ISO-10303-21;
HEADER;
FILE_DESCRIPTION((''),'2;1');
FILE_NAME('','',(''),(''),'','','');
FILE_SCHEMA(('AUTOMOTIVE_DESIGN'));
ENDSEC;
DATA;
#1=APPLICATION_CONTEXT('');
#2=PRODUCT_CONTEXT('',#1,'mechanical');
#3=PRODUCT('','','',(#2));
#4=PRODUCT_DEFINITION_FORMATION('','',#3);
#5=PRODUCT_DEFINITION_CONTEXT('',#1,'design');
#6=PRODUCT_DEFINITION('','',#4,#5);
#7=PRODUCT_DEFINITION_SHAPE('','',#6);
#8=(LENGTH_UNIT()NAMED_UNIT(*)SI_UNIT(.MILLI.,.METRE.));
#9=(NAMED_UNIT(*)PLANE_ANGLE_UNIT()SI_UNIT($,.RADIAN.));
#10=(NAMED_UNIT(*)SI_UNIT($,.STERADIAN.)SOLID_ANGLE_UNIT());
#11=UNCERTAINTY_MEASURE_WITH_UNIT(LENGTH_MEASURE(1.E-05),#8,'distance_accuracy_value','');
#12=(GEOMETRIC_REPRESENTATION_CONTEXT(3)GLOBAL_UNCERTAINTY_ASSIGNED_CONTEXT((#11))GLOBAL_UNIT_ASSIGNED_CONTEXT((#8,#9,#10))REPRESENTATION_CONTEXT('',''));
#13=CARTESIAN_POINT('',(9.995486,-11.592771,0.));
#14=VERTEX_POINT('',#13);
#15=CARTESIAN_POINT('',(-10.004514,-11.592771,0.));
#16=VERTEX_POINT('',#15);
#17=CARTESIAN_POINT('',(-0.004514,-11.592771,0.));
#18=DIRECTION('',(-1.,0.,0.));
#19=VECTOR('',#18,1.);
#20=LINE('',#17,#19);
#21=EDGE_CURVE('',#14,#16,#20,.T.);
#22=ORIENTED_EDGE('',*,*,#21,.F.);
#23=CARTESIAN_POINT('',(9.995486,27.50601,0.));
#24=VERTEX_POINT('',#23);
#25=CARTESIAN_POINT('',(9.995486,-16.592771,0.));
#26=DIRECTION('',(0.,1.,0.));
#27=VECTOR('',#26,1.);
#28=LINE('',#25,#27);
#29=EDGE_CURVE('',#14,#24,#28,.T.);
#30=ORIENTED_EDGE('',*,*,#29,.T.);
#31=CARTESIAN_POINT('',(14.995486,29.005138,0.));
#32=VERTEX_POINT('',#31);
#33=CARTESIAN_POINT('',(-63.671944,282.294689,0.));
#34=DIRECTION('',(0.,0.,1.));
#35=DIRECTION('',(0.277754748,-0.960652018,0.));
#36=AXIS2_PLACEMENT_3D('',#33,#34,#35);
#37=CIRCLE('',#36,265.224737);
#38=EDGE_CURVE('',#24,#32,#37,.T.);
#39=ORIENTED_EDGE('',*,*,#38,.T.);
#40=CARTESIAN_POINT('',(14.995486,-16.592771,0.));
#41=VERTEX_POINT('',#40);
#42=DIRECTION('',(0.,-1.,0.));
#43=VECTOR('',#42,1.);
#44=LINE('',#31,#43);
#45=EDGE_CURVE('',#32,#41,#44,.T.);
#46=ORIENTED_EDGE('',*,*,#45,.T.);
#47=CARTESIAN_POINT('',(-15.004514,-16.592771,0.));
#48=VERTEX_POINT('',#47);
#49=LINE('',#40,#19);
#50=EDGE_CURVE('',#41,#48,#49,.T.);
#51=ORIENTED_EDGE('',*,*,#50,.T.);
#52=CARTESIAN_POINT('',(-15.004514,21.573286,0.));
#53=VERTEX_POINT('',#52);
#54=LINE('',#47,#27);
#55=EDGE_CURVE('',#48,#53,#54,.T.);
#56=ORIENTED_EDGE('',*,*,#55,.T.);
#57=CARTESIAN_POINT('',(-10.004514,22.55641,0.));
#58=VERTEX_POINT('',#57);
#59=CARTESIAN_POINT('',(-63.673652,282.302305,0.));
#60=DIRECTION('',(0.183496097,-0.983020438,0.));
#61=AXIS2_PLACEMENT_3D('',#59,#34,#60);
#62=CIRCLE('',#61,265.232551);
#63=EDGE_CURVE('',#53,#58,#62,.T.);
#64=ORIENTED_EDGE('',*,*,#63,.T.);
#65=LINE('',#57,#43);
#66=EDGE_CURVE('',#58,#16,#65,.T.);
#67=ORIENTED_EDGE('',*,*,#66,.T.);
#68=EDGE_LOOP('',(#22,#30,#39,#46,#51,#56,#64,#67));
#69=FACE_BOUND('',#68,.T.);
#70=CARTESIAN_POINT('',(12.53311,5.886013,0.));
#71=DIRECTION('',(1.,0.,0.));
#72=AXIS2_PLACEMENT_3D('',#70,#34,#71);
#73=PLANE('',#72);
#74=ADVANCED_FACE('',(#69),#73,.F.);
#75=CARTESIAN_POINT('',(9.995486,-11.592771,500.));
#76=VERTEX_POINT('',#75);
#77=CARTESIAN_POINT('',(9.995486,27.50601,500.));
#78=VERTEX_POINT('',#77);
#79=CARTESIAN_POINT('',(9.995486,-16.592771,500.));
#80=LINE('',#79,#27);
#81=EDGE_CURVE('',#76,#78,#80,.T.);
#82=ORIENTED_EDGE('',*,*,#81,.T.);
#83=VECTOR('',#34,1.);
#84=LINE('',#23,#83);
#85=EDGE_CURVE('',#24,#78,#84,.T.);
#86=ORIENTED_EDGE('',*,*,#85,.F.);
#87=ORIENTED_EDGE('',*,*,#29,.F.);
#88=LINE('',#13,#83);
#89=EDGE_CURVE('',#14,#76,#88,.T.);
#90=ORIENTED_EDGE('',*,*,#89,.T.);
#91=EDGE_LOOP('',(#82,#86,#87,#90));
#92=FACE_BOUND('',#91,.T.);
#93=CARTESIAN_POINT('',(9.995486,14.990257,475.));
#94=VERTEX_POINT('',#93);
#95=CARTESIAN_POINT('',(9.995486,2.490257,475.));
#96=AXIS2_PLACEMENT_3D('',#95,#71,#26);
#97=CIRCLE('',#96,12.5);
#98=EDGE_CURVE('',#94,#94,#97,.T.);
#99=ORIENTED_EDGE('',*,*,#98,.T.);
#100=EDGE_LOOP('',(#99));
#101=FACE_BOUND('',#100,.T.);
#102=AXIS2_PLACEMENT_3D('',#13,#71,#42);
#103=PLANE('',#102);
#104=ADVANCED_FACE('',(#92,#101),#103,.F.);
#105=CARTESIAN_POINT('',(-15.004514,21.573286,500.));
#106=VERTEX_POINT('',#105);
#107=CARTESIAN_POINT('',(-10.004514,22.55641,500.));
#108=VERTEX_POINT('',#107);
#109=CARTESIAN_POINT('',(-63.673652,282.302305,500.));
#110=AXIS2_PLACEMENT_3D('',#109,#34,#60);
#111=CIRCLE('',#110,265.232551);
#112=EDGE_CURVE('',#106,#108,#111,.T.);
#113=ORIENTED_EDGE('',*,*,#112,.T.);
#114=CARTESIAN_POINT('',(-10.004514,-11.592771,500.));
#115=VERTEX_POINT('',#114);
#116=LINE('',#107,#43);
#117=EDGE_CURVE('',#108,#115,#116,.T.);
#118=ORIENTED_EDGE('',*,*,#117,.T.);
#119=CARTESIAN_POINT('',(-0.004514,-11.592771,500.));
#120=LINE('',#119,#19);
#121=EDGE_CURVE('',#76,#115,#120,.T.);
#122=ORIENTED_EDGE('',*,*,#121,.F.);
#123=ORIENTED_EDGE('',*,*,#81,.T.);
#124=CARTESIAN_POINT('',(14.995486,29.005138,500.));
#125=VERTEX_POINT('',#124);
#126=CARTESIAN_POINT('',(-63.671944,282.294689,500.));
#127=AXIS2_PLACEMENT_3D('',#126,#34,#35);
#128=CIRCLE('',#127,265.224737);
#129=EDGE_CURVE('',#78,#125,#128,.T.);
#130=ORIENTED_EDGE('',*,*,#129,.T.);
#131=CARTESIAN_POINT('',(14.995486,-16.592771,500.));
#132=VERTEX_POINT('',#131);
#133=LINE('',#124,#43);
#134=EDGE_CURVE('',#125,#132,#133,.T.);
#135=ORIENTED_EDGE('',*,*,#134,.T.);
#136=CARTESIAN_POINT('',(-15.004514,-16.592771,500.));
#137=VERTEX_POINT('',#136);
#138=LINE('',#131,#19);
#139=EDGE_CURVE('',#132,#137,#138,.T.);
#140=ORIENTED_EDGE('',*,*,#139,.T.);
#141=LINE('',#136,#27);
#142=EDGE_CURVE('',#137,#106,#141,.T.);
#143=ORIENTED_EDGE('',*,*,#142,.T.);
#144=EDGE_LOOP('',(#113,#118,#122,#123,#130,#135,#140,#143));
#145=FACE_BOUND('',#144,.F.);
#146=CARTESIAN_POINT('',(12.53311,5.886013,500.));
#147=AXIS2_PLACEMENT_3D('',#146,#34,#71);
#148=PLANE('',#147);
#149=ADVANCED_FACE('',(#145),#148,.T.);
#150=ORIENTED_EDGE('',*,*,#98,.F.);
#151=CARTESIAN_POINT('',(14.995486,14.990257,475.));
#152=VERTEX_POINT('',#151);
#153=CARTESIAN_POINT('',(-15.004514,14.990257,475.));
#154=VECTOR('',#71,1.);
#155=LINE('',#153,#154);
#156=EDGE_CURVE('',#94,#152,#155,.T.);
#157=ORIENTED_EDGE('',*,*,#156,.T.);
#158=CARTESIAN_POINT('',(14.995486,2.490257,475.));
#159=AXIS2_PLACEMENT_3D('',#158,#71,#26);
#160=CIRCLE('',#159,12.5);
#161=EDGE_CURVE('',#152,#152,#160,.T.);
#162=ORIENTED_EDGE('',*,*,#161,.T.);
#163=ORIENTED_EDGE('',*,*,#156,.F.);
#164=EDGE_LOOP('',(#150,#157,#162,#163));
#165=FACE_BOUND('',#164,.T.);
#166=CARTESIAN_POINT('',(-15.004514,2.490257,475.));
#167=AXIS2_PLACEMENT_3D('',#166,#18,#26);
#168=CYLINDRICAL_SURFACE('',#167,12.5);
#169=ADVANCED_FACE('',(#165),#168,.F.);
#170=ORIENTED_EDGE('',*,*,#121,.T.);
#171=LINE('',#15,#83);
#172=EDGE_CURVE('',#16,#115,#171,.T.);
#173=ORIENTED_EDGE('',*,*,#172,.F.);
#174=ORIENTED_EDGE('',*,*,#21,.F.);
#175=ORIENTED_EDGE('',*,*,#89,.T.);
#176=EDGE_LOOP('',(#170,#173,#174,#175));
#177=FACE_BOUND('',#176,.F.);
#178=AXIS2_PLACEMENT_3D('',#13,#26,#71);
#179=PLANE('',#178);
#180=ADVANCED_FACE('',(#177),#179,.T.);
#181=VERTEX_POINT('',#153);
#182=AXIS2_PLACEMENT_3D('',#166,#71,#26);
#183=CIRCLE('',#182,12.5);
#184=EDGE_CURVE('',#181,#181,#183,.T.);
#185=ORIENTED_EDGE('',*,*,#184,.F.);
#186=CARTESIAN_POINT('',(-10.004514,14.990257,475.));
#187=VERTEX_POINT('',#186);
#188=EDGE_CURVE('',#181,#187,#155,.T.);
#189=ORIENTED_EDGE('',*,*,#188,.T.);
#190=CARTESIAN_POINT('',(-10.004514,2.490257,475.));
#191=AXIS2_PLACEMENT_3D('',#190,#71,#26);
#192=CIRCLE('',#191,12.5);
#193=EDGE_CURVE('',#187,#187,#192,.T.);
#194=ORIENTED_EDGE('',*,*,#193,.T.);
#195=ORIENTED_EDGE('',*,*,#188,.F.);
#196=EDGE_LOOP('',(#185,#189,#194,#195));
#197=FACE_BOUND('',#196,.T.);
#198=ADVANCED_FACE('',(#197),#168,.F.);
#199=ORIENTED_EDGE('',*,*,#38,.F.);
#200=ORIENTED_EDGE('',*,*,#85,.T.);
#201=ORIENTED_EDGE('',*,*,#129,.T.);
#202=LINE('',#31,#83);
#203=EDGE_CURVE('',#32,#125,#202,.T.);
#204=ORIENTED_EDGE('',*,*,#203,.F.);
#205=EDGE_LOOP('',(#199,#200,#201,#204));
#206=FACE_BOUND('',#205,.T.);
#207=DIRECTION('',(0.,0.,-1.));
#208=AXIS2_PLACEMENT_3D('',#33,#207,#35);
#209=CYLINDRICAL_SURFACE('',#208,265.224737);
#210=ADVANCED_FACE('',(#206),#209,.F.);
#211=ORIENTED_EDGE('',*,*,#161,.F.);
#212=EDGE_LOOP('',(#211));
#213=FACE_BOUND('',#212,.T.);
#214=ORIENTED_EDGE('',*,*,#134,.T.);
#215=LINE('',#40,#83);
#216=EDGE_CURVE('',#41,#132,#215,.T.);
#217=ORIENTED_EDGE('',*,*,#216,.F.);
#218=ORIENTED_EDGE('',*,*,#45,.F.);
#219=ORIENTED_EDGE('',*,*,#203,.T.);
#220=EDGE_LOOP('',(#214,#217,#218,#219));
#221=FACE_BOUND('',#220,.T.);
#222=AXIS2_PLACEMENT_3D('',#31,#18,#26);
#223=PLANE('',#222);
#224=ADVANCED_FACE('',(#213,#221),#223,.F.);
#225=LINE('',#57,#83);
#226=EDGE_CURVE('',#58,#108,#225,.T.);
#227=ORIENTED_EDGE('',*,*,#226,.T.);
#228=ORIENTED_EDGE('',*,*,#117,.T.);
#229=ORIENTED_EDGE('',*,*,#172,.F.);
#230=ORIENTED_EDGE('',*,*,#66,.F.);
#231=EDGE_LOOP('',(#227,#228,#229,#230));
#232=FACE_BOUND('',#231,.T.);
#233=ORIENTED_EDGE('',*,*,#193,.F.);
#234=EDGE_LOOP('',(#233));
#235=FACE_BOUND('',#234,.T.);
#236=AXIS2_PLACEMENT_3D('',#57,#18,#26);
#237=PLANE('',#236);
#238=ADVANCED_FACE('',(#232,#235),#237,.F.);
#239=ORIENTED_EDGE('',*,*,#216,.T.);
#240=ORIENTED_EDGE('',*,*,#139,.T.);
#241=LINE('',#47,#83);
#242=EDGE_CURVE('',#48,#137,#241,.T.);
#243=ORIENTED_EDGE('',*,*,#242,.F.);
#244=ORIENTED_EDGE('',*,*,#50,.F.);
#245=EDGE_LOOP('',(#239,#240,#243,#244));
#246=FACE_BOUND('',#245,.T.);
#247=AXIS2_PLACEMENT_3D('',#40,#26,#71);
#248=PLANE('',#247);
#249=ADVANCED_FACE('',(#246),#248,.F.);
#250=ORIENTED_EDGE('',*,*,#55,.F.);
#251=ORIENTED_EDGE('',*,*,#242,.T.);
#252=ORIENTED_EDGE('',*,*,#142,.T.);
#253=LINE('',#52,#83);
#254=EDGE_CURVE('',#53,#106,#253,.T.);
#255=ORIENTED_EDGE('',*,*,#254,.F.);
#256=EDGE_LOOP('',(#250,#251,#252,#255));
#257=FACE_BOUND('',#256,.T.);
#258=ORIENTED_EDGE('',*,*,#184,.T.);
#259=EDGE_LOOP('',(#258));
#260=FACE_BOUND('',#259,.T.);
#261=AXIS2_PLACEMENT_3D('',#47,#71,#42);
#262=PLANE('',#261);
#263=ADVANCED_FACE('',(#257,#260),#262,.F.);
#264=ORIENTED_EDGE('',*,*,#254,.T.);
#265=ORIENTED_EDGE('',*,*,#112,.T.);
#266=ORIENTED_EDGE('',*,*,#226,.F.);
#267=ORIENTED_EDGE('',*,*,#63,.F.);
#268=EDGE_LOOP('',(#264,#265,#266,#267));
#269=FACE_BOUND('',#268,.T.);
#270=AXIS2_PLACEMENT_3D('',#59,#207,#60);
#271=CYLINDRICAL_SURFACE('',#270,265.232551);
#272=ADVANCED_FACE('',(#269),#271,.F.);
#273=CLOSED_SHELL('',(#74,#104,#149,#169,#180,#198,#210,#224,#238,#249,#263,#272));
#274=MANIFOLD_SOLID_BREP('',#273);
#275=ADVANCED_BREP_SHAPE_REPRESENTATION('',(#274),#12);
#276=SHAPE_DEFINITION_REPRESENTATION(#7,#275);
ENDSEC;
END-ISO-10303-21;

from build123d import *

# Parameters (mm, degrees)
F0_W     = 20
F0_H     = 5
F1_DEPTH = 500
F2_R     = 12.5
F3_DEPTH = 50


with BuildPart() as f1:
    # F0 (on Top) → F1 (new body)
    with BuildSketch(Plane.XY):
        with BuildLine():
            Line((-9.995486, -11.592771), (-9.995486, 27.50601))
            ThreePointArc((-9.995486, 27.50601), (-12.499174, 28.243273), (-14.995486, 29.005138))
            Line((-14.995486, 29.005138), (-14.995486, -16.592771))
            Line((-14.995486, -16.592771), (-9.995486, -16.592771))
            Line((-9.995486, -16.592771), (-9.995486, -11.592771))
        make_face()
        with Locations((0.004514, -14.092771)):
            Rectangle(F0_W, F0_H)
        with BuildLine():
            Line((15.004514, -16.592771), (15.004514, 21.573286))
            ThreePointArc((15.004514, 21.573286), (12.502153, 22.05284), (10.004514, 22.55641))
            Line((10.004514, 22.55641), (10.004514, -11.592771))
            Line((10.004514, -11.592771), (10.004514, -16.592771))
            Line((10.004514, -16.592771), (15.004514, -16.592771))
        make_face()
    extrude(amount=F1_DEPTH)

    # F2 (on face) → F3 (cut)
    with BuildSketch(Plane.YZ.offset(15.004514)):
        with Locations((2.490257, 475)):
            Circle(F2_R)
    extrude(amount=-F3_DEPTH, mode=Mode.SUBTRACT)


with BuildPart() as f4_1:
    # F4: instance of F1
    add(f1.part.mirror(Plane.YZ))


solid = f4_1.part
